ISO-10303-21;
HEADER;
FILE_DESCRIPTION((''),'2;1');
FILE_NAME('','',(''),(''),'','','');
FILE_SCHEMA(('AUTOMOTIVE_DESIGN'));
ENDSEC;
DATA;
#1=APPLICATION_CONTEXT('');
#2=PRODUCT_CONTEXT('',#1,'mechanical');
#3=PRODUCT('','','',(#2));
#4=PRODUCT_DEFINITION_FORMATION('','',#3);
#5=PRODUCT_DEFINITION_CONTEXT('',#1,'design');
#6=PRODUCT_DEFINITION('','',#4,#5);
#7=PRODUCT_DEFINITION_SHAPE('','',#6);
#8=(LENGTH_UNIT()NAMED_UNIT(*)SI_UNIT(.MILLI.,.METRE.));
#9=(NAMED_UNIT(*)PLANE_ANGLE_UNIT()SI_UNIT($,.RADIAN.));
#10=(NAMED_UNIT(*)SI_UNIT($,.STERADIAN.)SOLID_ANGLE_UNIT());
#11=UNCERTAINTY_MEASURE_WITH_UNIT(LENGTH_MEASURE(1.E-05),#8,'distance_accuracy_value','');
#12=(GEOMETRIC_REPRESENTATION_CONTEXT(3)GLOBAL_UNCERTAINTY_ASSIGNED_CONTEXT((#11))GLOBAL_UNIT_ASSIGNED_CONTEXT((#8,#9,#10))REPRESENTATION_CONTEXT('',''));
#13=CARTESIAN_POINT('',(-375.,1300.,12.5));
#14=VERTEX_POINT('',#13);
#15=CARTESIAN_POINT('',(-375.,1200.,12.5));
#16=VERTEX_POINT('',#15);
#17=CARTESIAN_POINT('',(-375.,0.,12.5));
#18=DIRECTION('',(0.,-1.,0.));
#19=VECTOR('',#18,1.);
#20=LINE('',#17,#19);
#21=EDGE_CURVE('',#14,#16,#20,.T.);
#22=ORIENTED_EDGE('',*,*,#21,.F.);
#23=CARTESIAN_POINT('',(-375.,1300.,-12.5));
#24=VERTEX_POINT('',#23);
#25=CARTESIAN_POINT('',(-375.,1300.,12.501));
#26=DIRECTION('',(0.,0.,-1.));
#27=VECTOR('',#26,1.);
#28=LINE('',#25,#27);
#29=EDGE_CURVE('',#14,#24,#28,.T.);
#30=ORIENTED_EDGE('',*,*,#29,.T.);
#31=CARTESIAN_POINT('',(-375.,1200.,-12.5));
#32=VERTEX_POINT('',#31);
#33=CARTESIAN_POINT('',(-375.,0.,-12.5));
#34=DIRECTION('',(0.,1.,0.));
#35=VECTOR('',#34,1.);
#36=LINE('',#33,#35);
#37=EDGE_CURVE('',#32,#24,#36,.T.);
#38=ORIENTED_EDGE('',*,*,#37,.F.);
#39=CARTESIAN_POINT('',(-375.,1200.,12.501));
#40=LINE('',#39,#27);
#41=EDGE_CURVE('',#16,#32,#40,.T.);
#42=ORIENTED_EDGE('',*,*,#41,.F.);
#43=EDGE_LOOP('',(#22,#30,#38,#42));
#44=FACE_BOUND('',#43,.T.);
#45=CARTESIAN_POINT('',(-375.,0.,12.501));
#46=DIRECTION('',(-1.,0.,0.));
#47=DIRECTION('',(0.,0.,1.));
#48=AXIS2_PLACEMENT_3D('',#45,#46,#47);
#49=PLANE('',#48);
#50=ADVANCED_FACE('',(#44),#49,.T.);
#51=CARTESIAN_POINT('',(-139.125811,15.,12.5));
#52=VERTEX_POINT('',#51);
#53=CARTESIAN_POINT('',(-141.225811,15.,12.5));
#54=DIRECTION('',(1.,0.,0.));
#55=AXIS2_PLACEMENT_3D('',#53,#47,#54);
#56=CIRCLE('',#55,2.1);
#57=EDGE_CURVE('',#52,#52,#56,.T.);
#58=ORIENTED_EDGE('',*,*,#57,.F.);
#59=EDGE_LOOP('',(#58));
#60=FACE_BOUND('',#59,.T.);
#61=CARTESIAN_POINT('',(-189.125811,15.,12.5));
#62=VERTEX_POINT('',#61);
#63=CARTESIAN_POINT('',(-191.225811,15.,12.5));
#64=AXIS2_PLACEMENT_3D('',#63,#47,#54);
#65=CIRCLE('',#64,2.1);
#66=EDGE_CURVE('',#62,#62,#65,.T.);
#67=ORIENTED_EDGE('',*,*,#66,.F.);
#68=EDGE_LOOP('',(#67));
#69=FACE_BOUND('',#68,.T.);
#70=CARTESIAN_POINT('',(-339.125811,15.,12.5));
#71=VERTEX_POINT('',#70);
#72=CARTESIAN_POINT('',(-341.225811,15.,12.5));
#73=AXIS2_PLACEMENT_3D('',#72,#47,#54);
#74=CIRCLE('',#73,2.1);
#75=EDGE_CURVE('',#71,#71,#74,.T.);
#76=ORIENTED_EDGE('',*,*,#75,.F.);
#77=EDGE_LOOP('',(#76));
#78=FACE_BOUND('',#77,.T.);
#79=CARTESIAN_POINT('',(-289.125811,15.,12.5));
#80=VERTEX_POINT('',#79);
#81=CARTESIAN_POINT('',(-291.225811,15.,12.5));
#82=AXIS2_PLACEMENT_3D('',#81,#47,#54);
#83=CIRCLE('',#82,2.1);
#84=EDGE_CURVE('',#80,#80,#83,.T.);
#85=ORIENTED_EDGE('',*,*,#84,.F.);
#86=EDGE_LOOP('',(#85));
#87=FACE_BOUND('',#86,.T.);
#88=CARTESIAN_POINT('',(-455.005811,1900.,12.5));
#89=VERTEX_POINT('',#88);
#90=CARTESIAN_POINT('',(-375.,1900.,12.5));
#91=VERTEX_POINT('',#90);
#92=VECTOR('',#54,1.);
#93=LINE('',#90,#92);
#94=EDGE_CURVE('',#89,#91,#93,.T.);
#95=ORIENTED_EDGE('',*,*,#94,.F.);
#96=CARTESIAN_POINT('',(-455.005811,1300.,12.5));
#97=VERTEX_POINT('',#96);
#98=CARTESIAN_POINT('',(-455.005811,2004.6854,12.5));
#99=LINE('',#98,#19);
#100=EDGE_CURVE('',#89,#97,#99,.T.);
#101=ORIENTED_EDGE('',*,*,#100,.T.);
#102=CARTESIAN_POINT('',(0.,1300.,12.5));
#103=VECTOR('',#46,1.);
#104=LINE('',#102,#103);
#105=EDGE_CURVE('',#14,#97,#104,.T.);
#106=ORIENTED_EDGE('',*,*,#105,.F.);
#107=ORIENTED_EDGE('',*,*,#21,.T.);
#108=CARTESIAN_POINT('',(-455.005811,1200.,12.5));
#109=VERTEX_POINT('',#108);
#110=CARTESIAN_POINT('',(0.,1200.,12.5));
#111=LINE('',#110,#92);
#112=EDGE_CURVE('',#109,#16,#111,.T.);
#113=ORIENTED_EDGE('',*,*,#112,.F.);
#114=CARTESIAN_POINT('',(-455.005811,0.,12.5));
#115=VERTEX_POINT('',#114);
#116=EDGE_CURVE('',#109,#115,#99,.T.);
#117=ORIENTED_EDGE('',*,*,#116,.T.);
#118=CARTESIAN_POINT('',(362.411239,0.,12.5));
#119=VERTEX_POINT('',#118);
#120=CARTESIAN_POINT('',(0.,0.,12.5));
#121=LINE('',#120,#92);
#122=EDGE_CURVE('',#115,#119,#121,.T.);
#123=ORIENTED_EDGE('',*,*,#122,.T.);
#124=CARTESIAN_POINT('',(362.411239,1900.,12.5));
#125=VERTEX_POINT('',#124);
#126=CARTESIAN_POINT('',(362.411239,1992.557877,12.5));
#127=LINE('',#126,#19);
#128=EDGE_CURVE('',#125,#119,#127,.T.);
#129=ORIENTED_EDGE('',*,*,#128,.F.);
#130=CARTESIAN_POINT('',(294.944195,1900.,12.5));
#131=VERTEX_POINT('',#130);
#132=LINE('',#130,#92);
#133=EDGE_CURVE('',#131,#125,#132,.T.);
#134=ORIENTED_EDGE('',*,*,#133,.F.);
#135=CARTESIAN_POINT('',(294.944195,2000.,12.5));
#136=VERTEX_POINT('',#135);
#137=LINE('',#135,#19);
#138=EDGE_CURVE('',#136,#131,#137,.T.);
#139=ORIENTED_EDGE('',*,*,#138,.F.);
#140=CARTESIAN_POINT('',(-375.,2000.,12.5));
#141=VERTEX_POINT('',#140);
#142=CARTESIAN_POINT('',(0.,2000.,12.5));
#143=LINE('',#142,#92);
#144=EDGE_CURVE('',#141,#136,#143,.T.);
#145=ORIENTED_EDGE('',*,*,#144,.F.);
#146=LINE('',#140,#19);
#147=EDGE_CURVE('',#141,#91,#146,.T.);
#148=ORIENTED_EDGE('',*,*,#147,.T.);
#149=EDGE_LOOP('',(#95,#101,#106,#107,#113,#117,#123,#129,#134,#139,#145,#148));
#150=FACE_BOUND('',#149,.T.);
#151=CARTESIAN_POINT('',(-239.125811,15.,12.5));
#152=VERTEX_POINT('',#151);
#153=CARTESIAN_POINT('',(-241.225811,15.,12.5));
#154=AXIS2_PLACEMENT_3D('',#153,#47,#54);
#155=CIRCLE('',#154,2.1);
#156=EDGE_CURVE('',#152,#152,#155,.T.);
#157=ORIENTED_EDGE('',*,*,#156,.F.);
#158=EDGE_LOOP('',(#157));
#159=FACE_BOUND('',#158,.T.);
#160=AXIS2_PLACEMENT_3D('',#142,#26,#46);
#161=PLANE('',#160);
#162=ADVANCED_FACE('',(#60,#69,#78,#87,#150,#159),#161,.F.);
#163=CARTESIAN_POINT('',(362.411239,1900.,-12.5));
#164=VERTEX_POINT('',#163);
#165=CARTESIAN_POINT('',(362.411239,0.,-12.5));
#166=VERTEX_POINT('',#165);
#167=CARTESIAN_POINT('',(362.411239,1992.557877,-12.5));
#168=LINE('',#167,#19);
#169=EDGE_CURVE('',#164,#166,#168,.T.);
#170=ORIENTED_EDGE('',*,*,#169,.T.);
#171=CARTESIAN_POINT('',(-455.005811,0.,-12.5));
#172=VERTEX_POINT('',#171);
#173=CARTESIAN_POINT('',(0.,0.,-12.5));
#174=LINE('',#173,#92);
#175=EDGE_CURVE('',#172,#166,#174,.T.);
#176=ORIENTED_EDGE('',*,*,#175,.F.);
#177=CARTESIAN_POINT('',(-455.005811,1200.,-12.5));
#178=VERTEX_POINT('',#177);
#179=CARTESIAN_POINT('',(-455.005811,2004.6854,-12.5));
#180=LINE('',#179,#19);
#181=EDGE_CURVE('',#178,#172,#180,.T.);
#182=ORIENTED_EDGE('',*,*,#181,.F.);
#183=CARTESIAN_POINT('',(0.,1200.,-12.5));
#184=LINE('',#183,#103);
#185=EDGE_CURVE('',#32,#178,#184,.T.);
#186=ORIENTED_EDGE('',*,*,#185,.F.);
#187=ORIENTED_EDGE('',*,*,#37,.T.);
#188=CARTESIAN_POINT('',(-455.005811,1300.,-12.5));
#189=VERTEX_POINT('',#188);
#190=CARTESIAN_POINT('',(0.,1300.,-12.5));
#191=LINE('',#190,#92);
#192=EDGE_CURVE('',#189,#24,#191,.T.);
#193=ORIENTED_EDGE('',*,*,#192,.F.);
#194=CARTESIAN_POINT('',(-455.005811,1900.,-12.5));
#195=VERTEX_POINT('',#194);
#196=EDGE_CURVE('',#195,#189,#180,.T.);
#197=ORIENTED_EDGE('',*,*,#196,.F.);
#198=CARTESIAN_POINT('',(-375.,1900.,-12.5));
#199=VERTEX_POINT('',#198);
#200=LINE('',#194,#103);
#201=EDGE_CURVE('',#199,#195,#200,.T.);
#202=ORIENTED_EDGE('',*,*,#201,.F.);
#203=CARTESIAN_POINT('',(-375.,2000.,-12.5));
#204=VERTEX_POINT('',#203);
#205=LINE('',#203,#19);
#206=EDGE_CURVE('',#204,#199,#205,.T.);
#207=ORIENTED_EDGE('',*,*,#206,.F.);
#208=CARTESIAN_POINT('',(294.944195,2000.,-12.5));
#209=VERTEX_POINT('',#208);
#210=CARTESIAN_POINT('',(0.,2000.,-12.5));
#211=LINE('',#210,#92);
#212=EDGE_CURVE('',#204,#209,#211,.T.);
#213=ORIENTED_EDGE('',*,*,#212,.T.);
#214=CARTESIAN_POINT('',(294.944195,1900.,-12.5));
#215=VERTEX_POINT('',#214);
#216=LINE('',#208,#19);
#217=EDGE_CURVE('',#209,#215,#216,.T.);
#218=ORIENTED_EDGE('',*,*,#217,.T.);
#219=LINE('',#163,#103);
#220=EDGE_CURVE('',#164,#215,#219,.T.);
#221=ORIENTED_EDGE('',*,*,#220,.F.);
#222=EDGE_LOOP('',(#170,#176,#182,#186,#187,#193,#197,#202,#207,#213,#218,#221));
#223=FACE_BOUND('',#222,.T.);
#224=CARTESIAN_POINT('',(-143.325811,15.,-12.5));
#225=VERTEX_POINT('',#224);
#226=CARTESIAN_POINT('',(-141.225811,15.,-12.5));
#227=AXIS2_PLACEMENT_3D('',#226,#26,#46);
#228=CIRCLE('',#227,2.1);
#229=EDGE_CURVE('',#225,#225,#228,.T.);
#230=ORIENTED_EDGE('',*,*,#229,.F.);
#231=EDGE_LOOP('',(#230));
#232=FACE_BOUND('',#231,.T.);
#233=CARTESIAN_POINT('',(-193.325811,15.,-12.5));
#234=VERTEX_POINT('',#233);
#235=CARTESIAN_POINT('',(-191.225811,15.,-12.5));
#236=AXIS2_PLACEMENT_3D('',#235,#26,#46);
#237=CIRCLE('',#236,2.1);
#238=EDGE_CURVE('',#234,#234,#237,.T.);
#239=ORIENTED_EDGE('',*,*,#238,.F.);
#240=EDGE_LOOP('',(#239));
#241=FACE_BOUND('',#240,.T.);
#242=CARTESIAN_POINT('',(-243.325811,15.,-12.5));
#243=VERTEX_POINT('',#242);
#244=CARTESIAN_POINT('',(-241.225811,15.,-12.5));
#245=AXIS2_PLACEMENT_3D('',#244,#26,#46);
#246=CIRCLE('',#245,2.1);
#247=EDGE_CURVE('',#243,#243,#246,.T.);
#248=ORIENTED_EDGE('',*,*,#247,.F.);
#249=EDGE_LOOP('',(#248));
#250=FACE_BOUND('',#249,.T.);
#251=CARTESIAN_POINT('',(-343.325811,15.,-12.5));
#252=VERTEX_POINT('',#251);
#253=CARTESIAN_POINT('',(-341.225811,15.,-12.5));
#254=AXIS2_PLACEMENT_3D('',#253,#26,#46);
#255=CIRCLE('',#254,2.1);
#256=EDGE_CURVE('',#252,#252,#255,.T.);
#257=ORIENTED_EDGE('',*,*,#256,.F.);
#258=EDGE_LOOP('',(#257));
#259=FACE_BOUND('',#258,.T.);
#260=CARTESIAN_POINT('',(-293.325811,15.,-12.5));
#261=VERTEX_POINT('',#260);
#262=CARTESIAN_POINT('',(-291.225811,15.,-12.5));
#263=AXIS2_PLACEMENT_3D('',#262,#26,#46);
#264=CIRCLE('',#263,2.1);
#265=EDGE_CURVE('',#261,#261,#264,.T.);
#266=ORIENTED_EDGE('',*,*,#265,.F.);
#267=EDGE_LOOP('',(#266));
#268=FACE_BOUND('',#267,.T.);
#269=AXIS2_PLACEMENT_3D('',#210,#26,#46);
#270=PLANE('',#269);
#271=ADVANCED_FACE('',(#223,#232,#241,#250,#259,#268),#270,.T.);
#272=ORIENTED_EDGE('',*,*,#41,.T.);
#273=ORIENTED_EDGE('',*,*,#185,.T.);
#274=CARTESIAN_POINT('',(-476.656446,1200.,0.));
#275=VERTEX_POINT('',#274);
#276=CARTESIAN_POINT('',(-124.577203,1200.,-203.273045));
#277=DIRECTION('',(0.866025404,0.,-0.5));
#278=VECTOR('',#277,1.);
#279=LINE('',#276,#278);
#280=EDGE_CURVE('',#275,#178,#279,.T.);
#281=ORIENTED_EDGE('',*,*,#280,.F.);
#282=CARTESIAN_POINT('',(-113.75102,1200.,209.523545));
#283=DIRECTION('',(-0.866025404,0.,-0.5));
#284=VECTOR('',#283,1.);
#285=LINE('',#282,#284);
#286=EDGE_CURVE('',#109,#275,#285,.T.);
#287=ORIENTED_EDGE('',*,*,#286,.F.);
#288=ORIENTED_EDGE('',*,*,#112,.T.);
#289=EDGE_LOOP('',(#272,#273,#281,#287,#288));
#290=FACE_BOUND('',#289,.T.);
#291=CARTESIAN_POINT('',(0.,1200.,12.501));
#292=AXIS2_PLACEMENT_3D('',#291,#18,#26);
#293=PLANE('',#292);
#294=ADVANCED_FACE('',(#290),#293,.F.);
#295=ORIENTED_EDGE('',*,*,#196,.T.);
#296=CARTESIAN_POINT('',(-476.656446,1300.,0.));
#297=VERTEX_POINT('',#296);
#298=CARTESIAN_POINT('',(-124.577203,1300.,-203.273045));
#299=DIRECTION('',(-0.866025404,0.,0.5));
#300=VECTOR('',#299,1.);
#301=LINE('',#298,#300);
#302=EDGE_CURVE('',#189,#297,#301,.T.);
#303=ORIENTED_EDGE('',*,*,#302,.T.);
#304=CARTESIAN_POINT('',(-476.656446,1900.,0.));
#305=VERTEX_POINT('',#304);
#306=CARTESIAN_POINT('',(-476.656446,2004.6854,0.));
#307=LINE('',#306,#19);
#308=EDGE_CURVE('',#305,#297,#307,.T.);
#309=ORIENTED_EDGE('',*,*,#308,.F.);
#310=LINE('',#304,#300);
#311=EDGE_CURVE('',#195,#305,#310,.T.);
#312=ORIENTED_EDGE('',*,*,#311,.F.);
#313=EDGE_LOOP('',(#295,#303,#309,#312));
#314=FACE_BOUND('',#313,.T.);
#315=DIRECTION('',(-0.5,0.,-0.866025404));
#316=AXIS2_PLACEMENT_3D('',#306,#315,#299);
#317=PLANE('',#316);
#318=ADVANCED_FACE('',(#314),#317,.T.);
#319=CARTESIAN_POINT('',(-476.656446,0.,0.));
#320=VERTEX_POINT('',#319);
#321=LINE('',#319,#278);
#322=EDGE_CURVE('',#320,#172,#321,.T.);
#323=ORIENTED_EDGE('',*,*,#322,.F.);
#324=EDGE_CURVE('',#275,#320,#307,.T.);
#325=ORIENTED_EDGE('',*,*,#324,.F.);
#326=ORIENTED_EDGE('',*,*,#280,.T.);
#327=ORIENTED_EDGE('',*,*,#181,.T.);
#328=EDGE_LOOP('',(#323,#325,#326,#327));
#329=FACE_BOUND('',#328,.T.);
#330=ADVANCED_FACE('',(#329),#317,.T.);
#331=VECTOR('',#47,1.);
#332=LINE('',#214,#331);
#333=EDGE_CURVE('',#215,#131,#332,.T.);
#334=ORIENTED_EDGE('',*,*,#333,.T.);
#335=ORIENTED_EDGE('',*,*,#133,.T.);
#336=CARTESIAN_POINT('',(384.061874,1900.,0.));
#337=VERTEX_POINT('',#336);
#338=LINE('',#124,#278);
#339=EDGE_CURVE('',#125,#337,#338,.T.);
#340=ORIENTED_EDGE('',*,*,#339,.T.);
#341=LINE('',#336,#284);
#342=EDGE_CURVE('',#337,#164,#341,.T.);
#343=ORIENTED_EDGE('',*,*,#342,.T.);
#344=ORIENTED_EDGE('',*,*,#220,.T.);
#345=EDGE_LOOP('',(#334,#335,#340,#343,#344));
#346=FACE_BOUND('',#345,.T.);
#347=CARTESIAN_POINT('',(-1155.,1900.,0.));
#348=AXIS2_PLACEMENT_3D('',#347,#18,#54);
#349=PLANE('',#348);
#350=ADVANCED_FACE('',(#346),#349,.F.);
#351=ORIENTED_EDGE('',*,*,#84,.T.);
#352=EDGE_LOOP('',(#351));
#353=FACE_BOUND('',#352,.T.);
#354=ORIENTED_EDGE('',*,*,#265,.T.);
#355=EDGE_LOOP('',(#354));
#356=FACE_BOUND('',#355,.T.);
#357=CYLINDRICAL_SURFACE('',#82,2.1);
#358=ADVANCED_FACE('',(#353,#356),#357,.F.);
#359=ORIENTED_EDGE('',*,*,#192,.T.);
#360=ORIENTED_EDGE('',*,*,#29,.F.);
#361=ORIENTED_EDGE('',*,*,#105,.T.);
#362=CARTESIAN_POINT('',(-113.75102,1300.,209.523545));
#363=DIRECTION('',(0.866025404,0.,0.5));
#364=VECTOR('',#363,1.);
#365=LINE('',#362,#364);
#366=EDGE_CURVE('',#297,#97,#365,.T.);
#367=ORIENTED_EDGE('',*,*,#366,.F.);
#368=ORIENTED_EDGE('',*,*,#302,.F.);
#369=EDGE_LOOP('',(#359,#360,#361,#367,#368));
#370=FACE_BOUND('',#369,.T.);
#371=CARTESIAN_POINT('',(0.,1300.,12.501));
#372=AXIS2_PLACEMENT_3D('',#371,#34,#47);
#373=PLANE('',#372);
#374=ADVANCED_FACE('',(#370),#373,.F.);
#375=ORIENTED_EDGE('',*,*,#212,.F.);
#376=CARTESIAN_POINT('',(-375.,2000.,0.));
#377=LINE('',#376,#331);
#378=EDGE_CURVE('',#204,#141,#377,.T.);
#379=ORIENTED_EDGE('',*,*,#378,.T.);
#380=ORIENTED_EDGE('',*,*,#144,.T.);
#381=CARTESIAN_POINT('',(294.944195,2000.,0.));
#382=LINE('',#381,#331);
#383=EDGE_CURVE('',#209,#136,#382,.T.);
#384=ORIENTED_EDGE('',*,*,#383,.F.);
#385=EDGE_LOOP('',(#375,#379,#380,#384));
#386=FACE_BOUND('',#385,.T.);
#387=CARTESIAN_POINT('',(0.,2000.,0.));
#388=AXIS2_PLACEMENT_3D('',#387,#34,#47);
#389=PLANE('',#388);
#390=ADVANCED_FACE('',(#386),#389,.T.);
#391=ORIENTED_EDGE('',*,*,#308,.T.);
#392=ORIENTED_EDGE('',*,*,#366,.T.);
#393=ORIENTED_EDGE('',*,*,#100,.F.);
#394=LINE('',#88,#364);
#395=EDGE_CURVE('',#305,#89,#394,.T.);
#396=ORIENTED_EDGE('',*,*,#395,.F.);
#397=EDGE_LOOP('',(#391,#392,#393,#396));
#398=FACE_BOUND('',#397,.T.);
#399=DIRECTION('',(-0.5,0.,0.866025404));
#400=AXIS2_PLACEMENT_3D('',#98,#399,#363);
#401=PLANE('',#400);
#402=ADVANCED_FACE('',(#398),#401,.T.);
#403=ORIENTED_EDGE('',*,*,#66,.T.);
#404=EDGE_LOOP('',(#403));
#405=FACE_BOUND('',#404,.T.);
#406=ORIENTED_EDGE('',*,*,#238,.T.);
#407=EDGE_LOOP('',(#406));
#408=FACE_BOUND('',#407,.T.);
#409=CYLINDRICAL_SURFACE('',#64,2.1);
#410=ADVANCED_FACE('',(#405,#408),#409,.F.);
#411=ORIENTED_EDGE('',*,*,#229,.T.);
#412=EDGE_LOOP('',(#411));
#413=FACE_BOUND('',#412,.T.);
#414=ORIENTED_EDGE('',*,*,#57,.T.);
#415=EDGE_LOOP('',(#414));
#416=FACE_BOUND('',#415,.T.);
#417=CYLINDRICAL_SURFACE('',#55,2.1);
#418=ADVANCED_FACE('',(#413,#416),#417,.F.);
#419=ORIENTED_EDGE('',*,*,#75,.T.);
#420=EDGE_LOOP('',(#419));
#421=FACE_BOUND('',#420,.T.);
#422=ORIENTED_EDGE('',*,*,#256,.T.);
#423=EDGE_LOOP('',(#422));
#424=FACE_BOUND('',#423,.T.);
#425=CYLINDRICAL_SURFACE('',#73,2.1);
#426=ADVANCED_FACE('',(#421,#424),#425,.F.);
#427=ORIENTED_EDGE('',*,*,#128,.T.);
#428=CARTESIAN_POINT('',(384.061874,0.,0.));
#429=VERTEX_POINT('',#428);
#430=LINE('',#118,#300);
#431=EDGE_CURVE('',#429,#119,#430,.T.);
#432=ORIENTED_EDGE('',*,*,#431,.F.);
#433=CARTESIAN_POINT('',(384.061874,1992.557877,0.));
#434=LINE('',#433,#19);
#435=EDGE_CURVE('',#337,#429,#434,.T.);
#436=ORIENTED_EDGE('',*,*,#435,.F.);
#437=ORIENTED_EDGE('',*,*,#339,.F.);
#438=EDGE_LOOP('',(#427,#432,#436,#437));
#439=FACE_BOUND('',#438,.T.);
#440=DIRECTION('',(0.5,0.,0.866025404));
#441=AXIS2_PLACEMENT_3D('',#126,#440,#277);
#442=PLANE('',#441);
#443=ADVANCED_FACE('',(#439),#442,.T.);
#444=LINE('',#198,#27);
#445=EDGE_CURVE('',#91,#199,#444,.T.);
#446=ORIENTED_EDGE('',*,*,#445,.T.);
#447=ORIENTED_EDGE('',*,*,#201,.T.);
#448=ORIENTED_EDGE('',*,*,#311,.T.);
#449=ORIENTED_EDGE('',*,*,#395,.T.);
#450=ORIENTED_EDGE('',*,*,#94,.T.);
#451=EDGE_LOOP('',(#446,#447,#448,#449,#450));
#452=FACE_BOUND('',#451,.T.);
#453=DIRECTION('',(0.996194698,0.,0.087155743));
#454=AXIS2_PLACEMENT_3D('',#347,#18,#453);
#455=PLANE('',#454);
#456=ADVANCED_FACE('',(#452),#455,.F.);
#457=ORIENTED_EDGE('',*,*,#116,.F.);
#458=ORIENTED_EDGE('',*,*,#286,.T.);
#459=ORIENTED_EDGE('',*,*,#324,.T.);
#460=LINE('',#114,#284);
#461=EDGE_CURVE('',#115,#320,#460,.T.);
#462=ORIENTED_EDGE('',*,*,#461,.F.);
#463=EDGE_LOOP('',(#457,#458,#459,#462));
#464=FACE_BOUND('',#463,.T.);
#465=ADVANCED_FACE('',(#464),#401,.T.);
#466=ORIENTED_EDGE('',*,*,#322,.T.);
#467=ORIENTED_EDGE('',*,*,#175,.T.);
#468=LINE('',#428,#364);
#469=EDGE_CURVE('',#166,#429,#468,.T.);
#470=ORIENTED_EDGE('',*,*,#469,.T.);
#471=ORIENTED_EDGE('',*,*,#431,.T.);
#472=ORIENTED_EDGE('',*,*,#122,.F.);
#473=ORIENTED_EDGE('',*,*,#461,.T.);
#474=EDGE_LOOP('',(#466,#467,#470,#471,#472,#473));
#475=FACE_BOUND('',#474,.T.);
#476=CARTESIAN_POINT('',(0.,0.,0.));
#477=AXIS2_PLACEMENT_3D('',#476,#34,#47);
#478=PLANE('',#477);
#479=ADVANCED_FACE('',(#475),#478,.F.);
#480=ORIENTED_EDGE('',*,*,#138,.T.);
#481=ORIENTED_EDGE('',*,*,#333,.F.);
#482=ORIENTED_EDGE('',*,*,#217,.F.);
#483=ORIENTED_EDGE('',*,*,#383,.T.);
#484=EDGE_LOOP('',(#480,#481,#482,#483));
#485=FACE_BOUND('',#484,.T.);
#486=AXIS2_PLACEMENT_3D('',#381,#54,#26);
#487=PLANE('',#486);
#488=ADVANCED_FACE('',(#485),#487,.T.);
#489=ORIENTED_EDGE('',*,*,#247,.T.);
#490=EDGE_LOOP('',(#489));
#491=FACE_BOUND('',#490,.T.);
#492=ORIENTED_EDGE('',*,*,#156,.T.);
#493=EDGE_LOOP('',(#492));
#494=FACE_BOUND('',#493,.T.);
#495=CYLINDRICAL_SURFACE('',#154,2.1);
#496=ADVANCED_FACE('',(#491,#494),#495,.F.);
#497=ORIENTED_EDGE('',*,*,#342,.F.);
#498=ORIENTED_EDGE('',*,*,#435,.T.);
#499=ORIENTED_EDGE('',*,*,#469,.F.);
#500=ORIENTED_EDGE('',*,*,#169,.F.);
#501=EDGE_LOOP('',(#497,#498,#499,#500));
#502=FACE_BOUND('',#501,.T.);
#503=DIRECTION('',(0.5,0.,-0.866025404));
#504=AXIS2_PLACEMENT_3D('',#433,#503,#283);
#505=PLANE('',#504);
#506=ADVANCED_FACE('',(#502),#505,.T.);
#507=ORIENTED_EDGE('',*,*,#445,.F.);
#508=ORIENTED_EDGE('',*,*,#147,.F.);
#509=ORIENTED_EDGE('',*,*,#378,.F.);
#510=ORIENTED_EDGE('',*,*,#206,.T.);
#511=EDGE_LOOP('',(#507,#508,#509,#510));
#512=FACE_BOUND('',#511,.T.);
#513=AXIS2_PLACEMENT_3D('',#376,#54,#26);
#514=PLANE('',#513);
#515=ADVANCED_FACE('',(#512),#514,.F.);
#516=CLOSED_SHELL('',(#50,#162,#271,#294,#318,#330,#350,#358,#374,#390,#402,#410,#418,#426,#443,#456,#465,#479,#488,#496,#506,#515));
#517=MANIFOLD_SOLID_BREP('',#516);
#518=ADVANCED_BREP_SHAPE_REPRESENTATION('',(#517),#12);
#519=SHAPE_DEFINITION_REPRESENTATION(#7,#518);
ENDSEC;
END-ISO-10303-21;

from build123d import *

# Parameters (mm, degrees)
SKETCH_1_W             = 669.944195316
SKETCH_1_H             = 25
EXTRUDE_1_DEPTH        = 2000
EXTRUDE_2_DEPTH        = 1900
EXTRUDE_3_DEPTH        = 1900
CUT_EXTRUDE_1_REACH    = 2058.168
SKETCH_5_W             = 21.650635094
SKETCH_5_H             = 100
SKETCH_5_W_2           = 80.005810729
HOLE_WIZARD_M5_2_D     = 4.2
PATTERN_LINEAR_2_COUNT = 5
PATTERN_LINEAR_2_PITCH = 50


with BuildPart() as part:
    # 草图1 → 凸台-拉伸1 (new body)
    with BuildSketch(Plane(origin=(0, 0, 0), x_dir=(1, 0, 0), z_dir=(0, 1, 0))):
        with Locations((-40.027902342, 0)):
            Rectangle(SKETCH_1_W, SKETCH_1_H)
    extrude(amount=EXTRUDE_1_DEPTH)

    # 草图2 → 凸台-拉伸2 (add)
    with BuildSketch(Plane.XZ):
        Polygon((294.944195316, 12.5), (362.411238515, 12.5), (384.061873609, 0), (362.411238515, -12.5), (294.944195316, -12.5), align=None)
    extrude(amount=-EXTRUDE_2_DEPTH)

    # 草图3 → 凸台-拉伸3 (add)
    with BuildSketch(Plane.XZ):
        Polygon((-375, 12.5), (-455.005810729, 12.5), (-476.656445823, 0), (-455.005810729, -12.5), (-375, -12.5), align=None)
    extrude(amount=-EXTRUDE_3_DEPTH)

    # 草图5 → 切除-拉伸1 (cut, up to next)
    with BuildSketch(Plane(origin=(0, 0, -12.5), x_dir=(-1, 0, 0), z_dir=(0, 0, -1)), mode=Mode.PRIVATE) as cut_extrude_1_sk1:
        with Locations((465.831128276, 1250)):
            Rectangle(SKETCH_5_W, SKETCH_5_H)
    cut_extrude_1_tool1 = extrude(cut_extrude_1_sk1.sketch, amount=-CUT_EXTRUDE_1_REACH, mode=Mode.PRIVATE) & part.part
    # 草图5 → 切除-拉伸1 (cut, up to next)
    with BuildSketch(Plane(origin=(0, 0, -12.5), x_dir=(-1, 0, 0), z_dir=(0, 0, -1)), mode=Mode.PRIVATE) as cut_extrude_1_sk2:
        with Locations((415.002905365, 1250)):
            Rectangle(SKETCH_5_W_2, SKETCH_5_H)
    cut_extrude_1_tool2 = extrude(cut_extrude_1_sk2.sketch, amount=-CUT_EXTRUDE_1_REACH, mode=Mode.PRIVATE) & part.part
    add(cut_extrude_1_tool1.solids().sort_by_distance((-465.831128, 1250, -12.5))[0], mode=Mode.SUBTRACT)
    add(cut_extrude_1_tool2.solids().sort_by_distance((-415.002905, 1250, -12.5))[0], mode=Mode.SUBTRACT)

    # M5 螺纹孔2 (through all)
    with Locations(Plane(origin=(-341.225810729, 15, 12.5), x_dir=(1, 0, 0), z_dir=(0, 0, 1))):
        with Locations((0, 0)):
            hole_wizard_m5_2 = Hole(HOLE_WIZARD_M5_2_D / 2)

    # 阵列(线性)2: M5 螺纹孔2 ×5
    with Locations(*[(i * PATTERN_LINEAR_2_PITCH, 0, 0) for i in range(1, PATTERN_LINEAR_2_COUNT)]):
        add(hole_wizard_m5_2, mode=Mode.SUBTRACT)


solid = part.part
